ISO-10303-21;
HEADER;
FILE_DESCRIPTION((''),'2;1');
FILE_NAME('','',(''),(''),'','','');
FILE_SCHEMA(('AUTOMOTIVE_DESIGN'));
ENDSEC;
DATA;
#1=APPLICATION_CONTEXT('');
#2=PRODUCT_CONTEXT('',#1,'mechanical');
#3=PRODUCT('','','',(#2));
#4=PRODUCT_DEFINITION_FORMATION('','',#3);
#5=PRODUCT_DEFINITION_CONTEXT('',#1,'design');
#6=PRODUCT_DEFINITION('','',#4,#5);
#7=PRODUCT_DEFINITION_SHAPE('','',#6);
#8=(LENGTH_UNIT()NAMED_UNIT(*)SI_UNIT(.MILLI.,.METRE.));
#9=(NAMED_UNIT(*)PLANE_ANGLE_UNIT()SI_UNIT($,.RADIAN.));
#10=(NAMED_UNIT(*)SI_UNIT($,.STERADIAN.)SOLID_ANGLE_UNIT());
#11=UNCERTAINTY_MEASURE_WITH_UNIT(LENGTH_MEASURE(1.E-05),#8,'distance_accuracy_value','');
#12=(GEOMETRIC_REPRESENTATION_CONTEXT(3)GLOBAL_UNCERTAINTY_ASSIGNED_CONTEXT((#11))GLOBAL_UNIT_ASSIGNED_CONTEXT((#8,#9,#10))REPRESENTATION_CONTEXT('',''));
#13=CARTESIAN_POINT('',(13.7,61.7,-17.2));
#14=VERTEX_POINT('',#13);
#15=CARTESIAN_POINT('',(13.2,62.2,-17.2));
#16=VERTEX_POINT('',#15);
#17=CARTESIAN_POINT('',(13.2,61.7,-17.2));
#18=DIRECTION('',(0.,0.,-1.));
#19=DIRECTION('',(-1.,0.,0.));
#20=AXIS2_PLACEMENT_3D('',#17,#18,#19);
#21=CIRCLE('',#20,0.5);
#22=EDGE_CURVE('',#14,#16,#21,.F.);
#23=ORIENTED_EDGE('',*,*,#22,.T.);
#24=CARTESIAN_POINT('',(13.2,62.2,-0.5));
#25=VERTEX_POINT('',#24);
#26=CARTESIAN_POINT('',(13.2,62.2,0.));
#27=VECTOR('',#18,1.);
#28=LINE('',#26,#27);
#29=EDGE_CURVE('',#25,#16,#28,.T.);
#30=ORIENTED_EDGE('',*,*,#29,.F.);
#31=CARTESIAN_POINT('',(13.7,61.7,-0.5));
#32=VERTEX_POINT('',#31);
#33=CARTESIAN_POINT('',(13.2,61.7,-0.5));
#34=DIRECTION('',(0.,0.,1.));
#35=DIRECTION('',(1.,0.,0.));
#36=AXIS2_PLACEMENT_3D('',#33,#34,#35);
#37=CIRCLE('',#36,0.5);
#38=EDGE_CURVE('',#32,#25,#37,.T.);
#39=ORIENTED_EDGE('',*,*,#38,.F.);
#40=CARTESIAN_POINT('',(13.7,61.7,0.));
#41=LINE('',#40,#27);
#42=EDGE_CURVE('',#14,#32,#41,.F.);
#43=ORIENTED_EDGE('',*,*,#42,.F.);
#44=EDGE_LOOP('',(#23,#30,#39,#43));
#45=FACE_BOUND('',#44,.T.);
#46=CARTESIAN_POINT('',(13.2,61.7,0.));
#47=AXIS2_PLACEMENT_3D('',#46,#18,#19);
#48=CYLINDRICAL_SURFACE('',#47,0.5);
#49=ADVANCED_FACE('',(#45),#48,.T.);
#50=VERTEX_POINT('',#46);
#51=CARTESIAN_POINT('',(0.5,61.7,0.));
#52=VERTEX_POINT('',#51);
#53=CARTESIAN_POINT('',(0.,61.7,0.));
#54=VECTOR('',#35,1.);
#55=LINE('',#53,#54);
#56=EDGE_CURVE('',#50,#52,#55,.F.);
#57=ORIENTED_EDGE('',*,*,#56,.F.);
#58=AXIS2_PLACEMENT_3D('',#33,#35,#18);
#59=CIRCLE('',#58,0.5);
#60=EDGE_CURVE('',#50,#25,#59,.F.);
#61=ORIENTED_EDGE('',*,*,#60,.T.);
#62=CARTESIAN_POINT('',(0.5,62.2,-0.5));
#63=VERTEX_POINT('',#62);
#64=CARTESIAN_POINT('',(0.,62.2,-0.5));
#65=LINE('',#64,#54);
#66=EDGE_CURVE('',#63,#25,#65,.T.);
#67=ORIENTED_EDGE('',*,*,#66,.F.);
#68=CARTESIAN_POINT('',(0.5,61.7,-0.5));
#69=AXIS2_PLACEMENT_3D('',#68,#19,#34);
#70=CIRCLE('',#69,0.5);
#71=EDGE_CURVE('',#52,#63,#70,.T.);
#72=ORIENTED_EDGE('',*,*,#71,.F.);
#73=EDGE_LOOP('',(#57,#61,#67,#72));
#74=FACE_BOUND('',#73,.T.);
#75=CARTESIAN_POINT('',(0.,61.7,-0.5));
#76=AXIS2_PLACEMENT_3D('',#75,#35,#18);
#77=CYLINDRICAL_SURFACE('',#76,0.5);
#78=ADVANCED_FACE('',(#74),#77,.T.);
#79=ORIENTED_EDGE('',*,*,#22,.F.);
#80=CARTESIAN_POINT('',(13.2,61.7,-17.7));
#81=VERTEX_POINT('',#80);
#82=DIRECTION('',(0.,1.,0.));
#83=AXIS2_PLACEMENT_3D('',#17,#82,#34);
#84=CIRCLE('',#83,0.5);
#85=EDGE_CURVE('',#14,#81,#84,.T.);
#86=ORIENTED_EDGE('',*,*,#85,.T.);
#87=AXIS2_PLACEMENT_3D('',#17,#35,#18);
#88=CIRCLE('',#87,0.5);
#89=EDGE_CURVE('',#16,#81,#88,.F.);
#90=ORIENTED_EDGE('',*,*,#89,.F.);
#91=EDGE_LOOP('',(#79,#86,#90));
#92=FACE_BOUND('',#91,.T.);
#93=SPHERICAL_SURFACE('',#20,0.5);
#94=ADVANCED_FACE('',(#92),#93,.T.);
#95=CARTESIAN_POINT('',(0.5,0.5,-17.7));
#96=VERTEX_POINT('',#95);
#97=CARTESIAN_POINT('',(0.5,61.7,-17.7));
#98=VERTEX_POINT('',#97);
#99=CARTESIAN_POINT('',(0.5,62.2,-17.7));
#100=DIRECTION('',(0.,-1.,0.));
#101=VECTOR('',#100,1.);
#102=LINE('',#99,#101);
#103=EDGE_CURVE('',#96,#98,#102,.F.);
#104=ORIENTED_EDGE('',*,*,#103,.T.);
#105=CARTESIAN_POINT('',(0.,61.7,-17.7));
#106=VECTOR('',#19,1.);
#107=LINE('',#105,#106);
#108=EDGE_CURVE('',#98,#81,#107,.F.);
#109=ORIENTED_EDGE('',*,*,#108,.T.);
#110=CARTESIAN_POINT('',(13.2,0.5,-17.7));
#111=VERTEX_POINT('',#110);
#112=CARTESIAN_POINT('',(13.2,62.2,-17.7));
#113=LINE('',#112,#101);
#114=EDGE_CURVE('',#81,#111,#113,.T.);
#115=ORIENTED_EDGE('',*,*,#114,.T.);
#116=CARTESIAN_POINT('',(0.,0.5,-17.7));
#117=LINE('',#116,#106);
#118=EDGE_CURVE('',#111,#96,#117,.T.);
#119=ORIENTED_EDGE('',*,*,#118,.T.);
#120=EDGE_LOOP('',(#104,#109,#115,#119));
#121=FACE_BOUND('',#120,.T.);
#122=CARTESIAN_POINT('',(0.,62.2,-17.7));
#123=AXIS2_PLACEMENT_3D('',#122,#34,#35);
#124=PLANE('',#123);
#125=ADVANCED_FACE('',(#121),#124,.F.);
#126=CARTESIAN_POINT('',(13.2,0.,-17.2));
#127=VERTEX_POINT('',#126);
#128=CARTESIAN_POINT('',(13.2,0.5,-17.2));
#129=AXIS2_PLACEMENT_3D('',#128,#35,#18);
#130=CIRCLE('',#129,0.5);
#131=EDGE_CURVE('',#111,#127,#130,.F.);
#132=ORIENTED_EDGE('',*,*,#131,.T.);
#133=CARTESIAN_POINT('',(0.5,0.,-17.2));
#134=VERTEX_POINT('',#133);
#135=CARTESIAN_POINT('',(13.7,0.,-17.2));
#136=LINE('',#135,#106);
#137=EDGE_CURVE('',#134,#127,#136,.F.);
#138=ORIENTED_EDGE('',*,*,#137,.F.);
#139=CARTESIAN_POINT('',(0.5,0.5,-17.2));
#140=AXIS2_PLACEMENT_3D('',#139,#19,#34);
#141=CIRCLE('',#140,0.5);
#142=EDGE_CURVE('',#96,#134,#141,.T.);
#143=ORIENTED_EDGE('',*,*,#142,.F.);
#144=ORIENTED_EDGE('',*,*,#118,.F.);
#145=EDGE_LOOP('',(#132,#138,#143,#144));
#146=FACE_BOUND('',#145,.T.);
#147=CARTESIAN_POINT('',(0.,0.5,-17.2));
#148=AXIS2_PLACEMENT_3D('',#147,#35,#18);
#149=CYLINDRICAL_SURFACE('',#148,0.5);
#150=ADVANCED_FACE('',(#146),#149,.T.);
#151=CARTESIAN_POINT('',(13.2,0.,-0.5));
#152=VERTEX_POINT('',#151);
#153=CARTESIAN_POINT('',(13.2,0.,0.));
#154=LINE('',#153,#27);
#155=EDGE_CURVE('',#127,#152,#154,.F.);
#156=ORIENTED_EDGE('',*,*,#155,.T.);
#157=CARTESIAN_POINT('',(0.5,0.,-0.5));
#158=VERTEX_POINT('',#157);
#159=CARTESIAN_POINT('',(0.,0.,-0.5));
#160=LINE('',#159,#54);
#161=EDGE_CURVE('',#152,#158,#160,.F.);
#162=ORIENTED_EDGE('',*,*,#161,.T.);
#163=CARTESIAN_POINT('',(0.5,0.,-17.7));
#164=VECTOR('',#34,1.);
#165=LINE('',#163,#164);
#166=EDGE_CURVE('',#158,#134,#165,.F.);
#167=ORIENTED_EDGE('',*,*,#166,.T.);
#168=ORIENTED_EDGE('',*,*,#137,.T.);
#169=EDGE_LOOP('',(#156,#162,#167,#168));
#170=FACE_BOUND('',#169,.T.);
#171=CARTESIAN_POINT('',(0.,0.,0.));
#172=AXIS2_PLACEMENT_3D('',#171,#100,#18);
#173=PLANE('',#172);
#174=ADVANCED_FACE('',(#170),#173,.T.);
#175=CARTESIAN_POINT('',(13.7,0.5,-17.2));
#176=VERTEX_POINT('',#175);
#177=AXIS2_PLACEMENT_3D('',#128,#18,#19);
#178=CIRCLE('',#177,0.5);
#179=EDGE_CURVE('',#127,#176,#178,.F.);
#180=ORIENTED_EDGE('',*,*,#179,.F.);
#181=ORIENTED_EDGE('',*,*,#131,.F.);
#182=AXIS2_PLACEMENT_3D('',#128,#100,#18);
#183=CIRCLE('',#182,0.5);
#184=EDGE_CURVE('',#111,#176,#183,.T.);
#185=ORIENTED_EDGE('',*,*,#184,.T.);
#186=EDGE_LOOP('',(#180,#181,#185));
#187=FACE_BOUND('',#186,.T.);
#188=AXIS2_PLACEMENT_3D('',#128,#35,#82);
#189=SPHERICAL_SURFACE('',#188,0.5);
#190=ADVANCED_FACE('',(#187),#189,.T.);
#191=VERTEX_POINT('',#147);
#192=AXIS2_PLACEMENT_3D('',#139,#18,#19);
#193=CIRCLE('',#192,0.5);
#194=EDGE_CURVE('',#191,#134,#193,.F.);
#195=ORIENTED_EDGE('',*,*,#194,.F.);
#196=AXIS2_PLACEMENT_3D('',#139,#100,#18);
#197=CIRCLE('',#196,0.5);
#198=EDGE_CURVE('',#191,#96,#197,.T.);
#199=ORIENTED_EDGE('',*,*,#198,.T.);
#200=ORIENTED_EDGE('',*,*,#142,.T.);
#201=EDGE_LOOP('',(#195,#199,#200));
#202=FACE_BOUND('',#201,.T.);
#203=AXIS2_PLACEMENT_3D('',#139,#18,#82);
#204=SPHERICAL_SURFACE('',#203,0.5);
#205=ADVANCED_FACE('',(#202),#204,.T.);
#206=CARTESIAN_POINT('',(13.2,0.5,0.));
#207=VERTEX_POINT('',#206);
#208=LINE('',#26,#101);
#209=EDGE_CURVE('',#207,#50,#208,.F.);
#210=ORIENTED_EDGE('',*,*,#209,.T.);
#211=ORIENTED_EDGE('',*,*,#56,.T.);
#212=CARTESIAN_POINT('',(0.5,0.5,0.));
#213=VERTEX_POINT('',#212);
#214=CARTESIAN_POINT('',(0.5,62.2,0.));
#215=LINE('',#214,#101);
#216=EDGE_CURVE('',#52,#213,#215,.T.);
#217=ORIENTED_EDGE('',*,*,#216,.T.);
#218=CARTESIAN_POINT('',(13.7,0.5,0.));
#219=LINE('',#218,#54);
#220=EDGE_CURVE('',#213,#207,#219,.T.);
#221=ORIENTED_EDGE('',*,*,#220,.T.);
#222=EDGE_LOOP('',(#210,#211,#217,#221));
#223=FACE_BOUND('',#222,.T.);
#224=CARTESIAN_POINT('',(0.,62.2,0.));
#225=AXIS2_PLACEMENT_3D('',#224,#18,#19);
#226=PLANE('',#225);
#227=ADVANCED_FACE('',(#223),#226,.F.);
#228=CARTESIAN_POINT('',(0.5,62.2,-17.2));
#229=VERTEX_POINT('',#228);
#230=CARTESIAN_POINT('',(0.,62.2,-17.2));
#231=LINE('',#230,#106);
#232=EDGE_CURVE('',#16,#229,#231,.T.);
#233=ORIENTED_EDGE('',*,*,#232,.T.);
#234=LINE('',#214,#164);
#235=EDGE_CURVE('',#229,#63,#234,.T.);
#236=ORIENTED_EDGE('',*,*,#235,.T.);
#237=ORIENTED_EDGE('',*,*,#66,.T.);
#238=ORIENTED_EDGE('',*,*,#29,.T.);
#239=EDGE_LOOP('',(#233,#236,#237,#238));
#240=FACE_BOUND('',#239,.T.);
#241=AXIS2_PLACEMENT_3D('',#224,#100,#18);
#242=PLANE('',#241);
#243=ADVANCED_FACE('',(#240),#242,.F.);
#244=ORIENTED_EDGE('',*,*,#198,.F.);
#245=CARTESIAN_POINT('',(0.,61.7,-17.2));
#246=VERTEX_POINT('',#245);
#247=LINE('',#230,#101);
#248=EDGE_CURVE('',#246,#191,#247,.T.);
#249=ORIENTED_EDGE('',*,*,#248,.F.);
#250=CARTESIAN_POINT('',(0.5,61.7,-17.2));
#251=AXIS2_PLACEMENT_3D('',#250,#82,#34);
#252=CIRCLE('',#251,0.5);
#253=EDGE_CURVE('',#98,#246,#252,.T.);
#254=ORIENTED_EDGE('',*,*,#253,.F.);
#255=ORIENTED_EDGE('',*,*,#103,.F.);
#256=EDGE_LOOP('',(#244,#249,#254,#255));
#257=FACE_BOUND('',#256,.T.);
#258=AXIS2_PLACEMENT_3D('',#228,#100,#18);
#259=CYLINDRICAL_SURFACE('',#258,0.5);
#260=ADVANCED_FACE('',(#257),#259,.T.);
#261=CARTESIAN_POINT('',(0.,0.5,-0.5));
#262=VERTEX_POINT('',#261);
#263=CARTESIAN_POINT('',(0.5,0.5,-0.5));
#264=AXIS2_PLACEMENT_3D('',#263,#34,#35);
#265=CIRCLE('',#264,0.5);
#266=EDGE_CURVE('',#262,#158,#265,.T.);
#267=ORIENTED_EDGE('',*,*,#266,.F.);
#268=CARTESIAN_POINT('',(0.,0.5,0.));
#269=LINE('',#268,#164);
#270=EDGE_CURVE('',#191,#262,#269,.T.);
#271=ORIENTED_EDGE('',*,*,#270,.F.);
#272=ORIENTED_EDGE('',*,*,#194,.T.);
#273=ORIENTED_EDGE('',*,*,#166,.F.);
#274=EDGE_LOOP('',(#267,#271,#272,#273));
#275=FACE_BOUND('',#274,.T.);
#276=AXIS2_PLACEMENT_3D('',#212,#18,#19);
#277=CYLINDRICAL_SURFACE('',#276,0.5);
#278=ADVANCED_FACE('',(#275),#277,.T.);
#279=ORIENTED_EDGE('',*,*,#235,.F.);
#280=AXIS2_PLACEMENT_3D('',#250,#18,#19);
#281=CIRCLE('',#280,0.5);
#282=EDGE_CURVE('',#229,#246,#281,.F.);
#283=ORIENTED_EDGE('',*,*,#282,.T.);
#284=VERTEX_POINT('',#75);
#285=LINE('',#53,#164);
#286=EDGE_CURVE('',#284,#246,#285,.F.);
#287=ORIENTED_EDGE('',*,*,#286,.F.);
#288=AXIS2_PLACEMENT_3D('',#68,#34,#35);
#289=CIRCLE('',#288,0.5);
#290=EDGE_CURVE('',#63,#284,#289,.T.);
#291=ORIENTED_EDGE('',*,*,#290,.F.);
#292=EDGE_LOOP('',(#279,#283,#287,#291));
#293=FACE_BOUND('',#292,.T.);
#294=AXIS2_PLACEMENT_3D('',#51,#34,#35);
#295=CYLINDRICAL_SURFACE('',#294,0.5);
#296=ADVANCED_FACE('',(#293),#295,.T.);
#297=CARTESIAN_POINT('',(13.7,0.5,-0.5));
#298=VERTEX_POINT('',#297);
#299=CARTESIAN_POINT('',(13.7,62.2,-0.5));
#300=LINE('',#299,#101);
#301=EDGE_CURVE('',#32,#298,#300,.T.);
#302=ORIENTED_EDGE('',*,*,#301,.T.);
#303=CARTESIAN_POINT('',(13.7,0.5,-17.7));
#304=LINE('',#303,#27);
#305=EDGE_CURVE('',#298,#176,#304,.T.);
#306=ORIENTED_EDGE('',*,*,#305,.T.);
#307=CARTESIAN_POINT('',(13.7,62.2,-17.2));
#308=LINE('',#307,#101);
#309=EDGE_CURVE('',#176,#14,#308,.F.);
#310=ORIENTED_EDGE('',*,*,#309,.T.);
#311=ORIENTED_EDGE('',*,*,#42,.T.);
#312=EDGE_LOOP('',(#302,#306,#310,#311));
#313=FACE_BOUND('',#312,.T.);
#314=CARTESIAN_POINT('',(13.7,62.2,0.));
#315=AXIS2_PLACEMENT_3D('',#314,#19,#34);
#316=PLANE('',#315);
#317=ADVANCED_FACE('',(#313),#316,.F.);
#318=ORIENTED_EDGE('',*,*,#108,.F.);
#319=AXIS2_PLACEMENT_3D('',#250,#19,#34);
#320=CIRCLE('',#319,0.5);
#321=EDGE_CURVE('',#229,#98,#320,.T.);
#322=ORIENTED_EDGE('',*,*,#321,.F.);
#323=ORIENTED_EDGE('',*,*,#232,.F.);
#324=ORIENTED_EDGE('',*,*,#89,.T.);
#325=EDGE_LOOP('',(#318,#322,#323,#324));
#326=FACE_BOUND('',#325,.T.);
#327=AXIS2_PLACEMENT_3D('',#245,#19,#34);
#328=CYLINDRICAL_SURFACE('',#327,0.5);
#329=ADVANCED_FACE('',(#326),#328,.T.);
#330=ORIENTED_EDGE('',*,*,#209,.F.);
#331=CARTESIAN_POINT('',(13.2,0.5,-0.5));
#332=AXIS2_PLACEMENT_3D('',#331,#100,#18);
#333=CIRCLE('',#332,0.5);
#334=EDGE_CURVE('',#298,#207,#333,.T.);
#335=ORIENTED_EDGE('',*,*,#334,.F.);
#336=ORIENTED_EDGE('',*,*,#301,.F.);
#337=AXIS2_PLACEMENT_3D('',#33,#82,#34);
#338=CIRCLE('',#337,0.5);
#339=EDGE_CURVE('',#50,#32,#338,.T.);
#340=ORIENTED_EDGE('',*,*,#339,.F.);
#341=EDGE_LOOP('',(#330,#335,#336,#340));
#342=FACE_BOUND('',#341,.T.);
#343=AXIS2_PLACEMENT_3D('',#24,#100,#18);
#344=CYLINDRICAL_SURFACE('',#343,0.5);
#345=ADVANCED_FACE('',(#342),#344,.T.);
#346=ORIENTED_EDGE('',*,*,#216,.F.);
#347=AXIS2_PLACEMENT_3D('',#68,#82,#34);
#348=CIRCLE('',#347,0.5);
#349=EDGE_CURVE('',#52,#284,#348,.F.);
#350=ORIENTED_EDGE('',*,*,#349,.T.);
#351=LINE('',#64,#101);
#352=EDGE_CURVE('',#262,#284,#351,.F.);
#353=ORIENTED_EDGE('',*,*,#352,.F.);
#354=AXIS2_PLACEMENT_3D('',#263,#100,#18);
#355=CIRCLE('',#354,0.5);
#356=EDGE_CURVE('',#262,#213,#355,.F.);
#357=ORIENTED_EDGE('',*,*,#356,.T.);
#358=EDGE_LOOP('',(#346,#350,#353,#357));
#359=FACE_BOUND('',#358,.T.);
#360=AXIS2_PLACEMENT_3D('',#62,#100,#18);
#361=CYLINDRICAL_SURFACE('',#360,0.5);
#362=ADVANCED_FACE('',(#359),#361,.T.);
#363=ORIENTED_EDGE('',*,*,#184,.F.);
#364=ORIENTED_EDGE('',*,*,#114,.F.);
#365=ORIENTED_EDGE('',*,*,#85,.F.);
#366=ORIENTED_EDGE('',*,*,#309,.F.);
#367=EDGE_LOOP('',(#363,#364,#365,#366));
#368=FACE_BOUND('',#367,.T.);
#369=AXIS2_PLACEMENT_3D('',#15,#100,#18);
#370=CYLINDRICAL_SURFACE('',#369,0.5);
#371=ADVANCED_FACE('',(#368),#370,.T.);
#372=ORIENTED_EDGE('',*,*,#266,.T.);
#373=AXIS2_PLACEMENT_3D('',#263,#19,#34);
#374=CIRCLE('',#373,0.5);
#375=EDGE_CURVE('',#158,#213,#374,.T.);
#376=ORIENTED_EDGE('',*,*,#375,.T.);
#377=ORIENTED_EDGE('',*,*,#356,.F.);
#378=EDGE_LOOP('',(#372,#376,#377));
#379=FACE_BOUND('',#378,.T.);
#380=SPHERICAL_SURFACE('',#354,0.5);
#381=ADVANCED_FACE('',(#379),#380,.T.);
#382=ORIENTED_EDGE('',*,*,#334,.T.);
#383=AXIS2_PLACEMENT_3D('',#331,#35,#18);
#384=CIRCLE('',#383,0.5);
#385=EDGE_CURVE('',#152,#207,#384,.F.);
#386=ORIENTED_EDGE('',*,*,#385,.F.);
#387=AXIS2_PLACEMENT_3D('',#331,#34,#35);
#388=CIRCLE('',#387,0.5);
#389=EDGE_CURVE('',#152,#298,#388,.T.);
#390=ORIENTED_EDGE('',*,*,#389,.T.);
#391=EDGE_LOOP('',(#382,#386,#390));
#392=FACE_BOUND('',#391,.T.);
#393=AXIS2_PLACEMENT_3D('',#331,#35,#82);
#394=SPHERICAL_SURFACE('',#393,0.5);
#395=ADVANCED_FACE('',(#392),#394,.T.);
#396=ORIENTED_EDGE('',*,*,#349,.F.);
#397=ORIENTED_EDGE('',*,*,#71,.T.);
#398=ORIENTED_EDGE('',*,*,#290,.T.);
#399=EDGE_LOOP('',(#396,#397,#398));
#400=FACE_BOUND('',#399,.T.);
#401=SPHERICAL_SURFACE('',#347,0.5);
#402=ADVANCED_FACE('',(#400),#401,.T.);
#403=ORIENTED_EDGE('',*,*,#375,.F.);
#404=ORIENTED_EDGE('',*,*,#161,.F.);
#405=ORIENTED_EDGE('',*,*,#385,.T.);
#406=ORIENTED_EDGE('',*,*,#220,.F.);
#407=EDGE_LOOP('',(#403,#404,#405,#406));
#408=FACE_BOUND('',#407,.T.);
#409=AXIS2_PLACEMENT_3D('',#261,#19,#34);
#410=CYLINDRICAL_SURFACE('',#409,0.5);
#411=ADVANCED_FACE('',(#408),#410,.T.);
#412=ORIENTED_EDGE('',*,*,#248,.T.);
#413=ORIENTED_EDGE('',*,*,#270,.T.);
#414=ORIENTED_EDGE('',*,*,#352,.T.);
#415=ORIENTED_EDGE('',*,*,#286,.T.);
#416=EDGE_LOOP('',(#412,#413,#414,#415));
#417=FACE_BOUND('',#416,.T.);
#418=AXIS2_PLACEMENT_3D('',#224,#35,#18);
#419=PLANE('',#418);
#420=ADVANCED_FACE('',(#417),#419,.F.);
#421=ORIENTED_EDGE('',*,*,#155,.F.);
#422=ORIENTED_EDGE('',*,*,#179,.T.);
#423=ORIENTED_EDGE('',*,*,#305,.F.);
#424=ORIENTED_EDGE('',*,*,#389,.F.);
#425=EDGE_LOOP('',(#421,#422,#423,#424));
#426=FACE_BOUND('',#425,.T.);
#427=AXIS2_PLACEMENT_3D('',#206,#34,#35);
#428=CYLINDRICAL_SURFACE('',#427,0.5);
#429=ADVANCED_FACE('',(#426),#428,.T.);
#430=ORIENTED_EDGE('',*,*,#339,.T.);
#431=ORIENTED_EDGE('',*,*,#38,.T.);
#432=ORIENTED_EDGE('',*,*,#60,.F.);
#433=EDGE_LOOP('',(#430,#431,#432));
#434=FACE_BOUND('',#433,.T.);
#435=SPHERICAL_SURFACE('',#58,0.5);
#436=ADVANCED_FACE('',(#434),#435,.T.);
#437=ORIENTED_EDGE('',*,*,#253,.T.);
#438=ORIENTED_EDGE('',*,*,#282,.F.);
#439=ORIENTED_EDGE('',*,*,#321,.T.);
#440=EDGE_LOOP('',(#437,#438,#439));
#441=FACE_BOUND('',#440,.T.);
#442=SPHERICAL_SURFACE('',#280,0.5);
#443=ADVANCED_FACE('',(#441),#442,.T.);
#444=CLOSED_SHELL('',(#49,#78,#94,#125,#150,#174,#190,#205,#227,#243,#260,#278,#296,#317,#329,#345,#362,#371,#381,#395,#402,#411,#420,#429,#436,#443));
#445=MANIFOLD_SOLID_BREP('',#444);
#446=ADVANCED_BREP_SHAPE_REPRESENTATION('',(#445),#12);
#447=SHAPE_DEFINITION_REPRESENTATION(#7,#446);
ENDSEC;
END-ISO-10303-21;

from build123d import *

# Parameters (mm, degrees)
SKETCH1_W           = 13.7
SKETCH1_H           = 17.7
BOSS_EXTRUDE1_DEPTH = 62.2
FILLET1_R           = 0.5


with BuildPart() as part:
    # Sketch1 → Boss-Extrude1 (new body)
    with BuildSketch(Plane(origin=(0, 0, 0), x_dir=(1, 0, 0), z_dir=(0, 1, 0))):
        with Locations((6.85, 8.85)):
            Rectangle(SKETCH1_W, SKETCH1_H)
    extrude(amount=BOSS_EXTRUDE1_DEPTH)

    # Fillet1
    fillet1_edges = [part.edges().sort_by_distance(p)[0] for p in [
        (13.7, 62.2, -8.85),
        (6.85, 62.2, -17.7),
        (0, 62.2, -8.85),
        (6.85, 0, -17.7),
        (13.7, 0, -8.85),
        (6.85, 0, 0),
        (0, 0, -8.85),
        (0, 31.1, -17.7),
        (13.7, 31.1, -17.7),
        (13.7, 31.1, 0),
        (0, 31.1, 0),
        (6.85, 62.2, 0),
    ]]
    fillet(fillet1_edges, radius=FILLET1_R)


solid = part.part
